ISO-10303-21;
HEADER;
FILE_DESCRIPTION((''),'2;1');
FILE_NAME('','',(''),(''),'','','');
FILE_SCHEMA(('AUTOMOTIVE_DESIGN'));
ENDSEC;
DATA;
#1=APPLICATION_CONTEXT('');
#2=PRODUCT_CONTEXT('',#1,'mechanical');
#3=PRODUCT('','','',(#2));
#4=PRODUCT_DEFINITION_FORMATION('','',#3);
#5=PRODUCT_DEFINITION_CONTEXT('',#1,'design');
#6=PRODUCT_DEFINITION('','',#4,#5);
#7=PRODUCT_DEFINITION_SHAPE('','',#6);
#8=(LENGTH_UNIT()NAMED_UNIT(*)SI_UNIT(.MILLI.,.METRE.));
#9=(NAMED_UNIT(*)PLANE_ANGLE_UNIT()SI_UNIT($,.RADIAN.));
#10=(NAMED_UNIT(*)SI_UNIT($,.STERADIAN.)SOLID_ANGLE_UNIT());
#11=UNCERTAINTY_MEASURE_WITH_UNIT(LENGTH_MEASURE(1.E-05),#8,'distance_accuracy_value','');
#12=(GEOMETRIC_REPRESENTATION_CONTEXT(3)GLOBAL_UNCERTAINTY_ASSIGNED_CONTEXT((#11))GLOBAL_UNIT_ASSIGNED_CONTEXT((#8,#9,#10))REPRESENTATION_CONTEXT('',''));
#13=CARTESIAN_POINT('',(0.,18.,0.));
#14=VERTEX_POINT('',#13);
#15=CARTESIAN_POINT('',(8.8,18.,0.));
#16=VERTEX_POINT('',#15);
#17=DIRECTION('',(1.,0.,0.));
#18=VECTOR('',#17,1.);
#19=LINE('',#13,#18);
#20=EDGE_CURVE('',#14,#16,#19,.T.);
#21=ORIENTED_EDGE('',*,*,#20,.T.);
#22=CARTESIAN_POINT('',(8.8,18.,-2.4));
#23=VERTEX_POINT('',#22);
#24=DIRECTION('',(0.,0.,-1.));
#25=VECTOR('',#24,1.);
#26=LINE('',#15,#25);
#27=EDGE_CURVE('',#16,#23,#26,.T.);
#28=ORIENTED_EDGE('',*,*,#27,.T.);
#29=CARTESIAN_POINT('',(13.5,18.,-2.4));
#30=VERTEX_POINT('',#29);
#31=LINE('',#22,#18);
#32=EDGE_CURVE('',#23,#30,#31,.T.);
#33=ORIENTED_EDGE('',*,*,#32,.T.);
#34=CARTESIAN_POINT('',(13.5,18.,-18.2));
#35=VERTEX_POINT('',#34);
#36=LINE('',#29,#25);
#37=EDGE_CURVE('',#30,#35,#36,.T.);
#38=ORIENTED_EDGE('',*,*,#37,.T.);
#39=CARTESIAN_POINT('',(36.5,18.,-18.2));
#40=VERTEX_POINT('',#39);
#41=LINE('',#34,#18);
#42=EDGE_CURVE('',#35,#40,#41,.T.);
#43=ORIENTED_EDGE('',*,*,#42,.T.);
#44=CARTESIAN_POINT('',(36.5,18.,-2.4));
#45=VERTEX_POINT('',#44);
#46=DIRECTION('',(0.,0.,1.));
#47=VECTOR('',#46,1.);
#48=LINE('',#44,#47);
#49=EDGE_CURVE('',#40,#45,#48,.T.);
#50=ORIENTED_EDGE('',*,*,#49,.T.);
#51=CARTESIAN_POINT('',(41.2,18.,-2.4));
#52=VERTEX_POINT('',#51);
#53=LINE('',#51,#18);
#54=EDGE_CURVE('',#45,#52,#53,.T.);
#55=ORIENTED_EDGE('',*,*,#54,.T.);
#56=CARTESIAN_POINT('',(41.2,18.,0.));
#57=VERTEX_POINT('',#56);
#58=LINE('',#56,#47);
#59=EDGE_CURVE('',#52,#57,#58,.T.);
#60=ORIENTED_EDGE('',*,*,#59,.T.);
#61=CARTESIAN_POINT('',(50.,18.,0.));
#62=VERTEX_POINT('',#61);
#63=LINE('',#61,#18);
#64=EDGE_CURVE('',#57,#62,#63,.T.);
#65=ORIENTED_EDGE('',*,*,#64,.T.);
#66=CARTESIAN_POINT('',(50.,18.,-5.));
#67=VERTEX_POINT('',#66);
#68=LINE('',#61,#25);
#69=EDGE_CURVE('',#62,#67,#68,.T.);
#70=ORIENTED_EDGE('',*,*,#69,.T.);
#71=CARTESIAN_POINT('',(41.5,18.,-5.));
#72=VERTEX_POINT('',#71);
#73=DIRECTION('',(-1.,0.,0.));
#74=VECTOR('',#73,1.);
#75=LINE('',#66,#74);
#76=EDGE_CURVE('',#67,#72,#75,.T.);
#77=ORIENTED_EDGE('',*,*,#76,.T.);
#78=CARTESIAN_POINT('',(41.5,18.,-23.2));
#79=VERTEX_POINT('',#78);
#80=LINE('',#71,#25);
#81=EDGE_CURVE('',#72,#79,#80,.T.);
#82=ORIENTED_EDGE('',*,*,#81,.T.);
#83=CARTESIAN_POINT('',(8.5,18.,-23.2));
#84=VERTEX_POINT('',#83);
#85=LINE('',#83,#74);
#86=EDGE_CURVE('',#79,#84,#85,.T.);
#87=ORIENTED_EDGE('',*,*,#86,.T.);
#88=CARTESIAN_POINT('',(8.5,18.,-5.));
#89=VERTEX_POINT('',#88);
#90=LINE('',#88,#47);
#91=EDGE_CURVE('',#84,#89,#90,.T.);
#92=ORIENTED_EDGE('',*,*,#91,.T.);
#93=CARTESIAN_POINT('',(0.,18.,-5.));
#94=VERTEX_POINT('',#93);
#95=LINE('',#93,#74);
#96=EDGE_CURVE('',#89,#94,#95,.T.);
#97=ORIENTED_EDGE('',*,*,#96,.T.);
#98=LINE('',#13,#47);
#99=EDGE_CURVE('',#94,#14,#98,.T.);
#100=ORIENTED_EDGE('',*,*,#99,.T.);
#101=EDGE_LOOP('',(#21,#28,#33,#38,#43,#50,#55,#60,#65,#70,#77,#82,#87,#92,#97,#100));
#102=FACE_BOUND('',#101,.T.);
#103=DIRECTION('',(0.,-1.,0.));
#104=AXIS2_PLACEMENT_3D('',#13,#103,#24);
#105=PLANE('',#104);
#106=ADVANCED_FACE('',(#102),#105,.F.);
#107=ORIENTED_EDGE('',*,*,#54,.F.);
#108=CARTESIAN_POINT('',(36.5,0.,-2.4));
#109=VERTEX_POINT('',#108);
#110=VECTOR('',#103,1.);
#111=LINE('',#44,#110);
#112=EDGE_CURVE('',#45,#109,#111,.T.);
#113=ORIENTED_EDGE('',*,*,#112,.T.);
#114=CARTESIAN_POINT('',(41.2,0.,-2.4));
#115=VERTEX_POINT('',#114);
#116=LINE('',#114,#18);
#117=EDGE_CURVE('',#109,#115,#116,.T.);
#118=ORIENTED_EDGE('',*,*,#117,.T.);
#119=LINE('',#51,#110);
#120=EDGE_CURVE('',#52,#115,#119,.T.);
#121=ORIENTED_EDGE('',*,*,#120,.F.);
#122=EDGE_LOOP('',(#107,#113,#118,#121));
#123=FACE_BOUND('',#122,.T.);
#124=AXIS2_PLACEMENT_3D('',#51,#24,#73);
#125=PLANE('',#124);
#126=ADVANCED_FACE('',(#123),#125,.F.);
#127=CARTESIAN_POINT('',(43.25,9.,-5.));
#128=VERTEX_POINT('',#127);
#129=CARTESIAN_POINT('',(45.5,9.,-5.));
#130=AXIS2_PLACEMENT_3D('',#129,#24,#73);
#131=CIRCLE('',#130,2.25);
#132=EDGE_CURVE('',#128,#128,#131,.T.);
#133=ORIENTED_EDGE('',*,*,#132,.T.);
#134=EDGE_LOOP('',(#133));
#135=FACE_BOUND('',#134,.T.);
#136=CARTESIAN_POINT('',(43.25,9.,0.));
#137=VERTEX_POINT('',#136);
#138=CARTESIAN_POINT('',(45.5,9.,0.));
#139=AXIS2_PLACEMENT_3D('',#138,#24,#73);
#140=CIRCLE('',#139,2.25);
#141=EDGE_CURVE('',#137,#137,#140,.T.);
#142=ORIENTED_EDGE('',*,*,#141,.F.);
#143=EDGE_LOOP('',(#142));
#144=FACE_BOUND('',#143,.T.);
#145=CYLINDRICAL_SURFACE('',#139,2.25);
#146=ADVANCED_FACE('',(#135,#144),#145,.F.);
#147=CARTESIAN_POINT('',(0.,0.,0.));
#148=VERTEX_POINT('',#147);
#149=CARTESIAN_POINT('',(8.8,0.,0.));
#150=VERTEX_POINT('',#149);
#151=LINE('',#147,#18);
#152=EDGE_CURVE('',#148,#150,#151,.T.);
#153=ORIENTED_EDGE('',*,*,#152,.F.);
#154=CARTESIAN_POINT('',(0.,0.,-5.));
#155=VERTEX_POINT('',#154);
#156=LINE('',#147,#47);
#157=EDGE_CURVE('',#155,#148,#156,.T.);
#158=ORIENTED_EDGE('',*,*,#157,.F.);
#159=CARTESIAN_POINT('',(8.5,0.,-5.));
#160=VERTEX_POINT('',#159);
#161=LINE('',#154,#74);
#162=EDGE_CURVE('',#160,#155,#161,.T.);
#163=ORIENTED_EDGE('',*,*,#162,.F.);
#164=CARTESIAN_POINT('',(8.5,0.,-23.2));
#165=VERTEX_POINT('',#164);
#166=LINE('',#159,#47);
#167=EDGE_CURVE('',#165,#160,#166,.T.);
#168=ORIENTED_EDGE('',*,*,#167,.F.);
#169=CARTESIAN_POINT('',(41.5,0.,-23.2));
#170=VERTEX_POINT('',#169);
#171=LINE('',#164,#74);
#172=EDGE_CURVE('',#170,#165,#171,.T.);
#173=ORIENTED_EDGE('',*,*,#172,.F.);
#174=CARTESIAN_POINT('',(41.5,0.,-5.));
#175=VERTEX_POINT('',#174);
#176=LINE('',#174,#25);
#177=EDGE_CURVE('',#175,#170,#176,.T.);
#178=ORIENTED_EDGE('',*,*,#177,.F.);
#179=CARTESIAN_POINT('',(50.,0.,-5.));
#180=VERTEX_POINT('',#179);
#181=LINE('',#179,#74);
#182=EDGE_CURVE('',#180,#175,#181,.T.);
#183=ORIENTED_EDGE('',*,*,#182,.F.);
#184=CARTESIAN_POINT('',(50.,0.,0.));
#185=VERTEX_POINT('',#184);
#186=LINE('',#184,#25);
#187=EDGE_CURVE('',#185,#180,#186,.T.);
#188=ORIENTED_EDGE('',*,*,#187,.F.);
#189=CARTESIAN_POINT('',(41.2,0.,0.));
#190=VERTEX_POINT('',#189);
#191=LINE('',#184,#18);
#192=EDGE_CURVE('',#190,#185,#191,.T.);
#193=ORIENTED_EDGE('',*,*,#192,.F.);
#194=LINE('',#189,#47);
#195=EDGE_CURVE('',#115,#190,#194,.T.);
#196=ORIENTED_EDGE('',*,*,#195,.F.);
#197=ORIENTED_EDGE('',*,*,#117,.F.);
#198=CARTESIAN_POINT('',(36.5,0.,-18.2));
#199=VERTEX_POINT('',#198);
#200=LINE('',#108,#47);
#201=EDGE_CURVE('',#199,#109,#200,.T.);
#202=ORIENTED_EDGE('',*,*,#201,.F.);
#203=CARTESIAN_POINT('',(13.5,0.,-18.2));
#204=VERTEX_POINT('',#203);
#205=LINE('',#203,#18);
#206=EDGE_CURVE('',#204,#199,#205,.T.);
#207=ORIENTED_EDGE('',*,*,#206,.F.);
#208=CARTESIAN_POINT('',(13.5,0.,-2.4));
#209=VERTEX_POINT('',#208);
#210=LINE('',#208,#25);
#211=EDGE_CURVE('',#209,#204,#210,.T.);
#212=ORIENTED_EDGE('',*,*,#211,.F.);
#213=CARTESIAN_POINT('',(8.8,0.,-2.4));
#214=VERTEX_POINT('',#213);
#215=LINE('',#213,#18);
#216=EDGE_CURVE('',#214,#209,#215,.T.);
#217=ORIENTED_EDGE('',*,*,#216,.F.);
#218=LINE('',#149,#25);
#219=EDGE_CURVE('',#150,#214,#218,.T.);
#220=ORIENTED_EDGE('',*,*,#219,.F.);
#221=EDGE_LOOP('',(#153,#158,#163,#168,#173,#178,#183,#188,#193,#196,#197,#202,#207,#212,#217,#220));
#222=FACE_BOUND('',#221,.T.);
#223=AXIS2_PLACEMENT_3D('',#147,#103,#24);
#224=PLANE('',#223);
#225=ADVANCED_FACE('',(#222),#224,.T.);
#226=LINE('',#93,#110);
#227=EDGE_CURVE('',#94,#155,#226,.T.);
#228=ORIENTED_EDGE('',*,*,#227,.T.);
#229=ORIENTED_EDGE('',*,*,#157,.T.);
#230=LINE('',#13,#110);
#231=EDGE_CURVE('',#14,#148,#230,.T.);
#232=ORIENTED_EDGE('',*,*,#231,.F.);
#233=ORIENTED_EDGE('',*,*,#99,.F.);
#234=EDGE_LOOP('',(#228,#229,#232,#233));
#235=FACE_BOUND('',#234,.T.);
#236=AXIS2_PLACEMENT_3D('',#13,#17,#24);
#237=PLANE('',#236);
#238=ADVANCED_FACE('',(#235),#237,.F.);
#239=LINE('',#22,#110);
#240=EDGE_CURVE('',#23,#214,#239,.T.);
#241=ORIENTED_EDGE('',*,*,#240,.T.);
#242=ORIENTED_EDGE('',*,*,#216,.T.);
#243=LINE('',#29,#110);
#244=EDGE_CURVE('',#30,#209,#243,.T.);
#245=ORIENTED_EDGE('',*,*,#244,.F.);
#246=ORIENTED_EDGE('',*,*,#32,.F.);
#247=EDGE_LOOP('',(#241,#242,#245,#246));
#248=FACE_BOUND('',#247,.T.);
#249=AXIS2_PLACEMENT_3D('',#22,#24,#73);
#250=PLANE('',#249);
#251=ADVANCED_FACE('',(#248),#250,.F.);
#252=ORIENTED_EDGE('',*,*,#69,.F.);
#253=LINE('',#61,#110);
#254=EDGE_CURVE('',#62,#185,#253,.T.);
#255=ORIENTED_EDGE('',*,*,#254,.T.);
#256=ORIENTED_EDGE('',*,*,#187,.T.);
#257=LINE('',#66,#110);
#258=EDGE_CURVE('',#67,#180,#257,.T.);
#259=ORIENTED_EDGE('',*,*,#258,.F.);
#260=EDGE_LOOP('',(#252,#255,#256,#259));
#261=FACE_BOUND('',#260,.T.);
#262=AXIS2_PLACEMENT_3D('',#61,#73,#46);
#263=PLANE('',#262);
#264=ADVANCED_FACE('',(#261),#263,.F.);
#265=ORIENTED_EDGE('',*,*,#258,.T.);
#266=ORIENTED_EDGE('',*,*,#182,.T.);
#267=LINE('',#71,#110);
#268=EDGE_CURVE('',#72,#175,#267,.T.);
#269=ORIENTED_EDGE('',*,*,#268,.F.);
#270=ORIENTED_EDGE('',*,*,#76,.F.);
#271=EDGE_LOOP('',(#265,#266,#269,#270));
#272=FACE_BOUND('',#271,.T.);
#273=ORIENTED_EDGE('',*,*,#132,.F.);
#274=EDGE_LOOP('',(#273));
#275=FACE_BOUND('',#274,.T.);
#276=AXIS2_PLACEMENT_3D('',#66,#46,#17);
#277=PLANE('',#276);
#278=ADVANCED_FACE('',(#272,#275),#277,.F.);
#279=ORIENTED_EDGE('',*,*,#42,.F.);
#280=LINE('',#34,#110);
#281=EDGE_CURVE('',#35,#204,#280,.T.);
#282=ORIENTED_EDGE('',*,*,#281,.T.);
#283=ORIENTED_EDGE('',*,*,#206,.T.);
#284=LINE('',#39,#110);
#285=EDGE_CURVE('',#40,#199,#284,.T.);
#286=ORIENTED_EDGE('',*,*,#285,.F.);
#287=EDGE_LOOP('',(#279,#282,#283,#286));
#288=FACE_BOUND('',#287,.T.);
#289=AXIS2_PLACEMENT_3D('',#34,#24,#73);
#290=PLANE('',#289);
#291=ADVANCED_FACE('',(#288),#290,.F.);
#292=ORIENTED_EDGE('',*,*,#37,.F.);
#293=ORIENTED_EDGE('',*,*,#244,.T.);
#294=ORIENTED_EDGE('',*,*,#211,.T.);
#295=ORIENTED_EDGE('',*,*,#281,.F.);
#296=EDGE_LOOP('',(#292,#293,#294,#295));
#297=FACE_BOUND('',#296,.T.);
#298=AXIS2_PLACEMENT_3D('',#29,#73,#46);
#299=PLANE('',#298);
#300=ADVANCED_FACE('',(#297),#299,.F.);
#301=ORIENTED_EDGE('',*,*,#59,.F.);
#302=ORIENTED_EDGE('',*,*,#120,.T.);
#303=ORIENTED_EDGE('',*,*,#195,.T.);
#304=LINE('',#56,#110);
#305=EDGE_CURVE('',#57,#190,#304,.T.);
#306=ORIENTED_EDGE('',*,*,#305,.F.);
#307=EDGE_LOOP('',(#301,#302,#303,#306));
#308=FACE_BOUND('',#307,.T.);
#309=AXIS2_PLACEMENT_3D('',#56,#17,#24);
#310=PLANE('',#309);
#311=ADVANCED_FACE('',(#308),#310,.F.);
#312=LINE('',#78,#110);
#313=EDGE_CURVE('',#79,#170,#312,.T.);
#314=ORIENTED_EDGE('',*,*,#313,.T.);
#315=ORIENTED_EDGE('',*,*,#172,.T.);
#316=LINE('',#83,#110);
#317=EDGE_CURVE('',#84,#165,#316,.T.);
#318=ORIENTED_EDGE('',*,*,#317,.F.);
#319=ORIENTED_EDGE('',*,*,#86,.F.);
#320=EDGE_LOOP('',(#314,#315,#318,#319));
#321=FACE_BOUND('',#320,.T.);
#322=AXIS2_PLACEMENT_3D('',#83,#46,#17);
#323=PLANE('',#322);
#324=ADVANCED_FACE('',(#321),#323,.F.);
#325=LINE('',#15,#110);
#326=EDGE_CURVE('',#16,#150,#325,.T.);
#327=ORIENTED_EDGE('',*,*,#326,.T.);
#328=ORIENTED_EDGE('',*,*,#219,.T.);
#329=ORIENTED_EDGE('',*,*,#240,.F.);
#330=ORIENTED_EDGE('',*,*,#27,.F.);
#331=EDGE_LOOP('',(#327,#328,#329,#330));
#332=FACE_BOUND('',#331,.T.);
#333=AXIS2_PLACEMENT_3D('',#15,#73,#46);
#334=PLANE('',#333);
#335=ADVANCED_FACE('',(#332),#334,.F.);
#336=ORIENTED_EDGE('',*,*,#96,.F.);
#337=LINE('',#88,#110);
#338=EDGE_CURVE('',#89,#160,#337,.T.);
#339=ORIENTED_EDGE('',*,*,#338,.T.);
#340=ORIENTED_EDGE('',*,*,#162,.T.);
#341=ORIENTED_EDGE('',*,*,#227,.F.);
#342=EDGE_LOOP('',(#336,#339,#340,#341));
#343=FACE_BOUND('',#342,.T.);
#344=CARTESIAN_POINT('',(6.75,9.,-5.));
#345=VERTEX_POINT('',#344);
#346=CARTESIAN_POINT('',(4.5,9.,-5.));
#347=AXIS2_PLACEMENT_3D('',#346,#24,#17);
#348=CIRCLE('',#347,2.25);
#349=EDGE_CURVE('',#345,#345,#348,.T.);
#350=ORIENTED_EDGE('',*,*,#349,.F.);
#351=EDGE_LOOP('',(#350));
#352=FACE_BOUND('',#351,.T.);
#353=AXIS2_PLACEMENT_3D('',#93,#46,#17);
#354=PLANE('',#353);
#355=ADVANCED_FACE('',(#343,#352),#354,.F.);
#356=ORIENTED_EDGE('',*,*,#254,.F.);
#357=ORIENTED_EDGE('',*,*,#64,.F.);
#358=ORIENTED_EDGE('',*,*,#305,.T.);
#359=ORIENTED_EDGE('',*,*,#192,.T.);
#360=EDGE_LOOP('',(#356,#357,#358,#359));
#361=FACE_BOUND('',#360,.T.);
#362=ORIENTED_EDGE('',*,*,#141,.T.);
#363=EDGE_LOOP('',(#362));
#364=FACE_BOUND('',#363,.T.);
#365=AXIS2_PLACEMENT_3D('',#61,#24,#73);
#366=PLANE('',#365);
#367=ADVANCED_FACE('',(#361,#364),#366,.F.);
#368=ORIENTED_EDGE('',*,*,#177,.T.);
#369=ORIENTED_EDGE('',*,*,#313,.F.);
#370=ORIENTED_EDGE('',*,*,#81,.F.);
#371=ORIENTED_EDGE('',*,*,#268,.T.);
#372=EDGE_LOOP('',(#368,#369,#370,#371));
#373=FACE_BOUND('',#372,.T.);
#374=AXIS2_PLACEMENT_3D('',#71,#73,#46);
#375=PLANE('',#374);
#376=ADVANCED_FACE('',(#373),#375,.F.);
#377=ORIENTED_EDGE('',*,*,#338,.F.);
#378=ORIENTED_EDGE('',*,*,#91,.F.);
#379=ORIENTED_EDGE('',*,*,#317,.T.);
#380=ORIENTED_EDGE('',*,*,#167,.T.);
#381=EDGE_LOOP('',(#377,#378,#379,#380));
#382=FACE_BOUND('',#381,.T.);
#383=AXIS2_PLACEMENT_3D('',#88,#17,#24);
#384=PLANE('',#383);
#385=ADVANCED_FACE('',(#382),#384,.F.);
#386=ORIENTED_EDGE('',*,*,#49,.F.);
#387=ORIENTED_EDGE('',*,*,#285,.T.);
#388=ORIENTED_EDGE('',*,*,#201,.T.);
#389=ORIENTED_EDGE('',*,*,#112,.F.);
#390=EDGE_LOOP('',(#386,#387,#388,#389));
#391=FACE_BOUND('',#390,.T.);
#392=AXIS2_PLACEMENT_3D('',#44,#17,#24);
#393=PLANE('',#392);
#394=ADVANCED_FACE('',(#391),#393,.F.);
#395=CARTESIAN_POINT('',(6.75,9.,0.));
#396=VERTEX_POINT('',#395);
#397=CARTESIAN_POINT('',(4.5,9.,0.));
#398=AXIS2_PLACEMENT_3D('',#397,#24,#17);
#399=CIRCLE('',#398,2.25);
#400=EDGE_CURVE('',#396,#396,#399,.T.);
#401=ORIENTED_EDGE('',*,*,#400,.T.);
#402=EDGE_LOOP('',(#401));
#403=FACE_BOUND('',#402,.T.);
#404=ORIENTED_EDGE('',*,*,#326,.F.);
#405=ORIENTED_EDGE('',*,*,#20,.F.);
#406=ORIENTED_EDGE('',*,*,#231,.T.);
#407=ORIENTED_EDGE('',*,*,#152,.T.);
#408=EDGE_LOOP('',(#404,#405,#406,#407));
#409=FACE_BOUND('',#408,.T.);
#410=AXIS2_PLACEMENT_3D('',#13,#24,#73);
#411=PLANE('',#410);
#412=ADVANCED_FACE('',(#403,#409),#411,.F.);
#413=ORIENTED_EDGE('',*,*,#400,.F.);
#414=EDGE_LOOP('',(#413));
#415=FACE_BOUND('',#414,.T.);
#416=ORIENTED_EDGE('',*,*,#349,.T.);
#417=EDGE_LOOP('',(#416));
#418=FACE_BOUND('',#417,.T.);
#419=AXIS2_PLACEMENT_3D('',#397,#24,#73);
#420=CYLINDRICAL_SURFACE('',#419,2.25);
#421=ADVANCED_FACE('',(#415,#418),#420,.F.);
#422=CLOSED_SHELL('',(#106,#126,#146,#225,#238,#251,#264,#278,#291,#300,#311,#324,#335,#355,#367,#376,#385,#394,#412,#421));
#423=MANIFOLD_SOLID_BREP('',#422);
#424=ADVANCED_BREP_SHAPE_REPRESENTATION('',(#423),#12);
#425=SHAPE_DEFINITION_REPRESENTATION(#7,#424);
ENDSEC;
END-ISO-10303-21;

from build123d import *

# Parameters (mm, degrees)
BOSS_EXTRUDE1_DEPTH = 18
SKETCH2_R           = 2.25
CUT_EXTRUDE1_DEPTH  = 57.171523034


with BuildPart() as part:
    # Sketch1 → Boss-Extrude1 (new body)
    with BuildSketch(Plane(origin=(0, 0, 0), x_dir=(1, 0, 0), z_dir=(0, 1, 0))):
        Polygon((0, 0), (8.8, 0), (8.8, 2.4), (13.5, 2.4), (13.5, 18.2), (36.5, 18.2), (36.5, 2.4), (41.2, 2.4), (41.2, 0), (50, 0), (50, 5), (41.5, 5), (41.5, 23.2), (8.5, 23.2), (8.5, 5), (0, 5), align=None)
    extrude(amount=BOSS_EXTRUDE1_DEPTH)

    # Sketch2 → Cut-Extrude1 (cut, through all)
    with BuildSketch(Plane(origin=(0, 0, -5), x_dir=(-1, 0, 0), z_dir=(0, 0, -1))):
        with Locations((-45.5, 9)):
            Circle(SKETCH2_R)
        with Locations(Location((-4.5, 9, 0), (0, 0, 180))):
            Circle(SKETCH2_R)
    extrude(amount=-CUT_EXTRUDE1_DEPTH, mode=Mode.SUBTRACT)


solid = part.part
